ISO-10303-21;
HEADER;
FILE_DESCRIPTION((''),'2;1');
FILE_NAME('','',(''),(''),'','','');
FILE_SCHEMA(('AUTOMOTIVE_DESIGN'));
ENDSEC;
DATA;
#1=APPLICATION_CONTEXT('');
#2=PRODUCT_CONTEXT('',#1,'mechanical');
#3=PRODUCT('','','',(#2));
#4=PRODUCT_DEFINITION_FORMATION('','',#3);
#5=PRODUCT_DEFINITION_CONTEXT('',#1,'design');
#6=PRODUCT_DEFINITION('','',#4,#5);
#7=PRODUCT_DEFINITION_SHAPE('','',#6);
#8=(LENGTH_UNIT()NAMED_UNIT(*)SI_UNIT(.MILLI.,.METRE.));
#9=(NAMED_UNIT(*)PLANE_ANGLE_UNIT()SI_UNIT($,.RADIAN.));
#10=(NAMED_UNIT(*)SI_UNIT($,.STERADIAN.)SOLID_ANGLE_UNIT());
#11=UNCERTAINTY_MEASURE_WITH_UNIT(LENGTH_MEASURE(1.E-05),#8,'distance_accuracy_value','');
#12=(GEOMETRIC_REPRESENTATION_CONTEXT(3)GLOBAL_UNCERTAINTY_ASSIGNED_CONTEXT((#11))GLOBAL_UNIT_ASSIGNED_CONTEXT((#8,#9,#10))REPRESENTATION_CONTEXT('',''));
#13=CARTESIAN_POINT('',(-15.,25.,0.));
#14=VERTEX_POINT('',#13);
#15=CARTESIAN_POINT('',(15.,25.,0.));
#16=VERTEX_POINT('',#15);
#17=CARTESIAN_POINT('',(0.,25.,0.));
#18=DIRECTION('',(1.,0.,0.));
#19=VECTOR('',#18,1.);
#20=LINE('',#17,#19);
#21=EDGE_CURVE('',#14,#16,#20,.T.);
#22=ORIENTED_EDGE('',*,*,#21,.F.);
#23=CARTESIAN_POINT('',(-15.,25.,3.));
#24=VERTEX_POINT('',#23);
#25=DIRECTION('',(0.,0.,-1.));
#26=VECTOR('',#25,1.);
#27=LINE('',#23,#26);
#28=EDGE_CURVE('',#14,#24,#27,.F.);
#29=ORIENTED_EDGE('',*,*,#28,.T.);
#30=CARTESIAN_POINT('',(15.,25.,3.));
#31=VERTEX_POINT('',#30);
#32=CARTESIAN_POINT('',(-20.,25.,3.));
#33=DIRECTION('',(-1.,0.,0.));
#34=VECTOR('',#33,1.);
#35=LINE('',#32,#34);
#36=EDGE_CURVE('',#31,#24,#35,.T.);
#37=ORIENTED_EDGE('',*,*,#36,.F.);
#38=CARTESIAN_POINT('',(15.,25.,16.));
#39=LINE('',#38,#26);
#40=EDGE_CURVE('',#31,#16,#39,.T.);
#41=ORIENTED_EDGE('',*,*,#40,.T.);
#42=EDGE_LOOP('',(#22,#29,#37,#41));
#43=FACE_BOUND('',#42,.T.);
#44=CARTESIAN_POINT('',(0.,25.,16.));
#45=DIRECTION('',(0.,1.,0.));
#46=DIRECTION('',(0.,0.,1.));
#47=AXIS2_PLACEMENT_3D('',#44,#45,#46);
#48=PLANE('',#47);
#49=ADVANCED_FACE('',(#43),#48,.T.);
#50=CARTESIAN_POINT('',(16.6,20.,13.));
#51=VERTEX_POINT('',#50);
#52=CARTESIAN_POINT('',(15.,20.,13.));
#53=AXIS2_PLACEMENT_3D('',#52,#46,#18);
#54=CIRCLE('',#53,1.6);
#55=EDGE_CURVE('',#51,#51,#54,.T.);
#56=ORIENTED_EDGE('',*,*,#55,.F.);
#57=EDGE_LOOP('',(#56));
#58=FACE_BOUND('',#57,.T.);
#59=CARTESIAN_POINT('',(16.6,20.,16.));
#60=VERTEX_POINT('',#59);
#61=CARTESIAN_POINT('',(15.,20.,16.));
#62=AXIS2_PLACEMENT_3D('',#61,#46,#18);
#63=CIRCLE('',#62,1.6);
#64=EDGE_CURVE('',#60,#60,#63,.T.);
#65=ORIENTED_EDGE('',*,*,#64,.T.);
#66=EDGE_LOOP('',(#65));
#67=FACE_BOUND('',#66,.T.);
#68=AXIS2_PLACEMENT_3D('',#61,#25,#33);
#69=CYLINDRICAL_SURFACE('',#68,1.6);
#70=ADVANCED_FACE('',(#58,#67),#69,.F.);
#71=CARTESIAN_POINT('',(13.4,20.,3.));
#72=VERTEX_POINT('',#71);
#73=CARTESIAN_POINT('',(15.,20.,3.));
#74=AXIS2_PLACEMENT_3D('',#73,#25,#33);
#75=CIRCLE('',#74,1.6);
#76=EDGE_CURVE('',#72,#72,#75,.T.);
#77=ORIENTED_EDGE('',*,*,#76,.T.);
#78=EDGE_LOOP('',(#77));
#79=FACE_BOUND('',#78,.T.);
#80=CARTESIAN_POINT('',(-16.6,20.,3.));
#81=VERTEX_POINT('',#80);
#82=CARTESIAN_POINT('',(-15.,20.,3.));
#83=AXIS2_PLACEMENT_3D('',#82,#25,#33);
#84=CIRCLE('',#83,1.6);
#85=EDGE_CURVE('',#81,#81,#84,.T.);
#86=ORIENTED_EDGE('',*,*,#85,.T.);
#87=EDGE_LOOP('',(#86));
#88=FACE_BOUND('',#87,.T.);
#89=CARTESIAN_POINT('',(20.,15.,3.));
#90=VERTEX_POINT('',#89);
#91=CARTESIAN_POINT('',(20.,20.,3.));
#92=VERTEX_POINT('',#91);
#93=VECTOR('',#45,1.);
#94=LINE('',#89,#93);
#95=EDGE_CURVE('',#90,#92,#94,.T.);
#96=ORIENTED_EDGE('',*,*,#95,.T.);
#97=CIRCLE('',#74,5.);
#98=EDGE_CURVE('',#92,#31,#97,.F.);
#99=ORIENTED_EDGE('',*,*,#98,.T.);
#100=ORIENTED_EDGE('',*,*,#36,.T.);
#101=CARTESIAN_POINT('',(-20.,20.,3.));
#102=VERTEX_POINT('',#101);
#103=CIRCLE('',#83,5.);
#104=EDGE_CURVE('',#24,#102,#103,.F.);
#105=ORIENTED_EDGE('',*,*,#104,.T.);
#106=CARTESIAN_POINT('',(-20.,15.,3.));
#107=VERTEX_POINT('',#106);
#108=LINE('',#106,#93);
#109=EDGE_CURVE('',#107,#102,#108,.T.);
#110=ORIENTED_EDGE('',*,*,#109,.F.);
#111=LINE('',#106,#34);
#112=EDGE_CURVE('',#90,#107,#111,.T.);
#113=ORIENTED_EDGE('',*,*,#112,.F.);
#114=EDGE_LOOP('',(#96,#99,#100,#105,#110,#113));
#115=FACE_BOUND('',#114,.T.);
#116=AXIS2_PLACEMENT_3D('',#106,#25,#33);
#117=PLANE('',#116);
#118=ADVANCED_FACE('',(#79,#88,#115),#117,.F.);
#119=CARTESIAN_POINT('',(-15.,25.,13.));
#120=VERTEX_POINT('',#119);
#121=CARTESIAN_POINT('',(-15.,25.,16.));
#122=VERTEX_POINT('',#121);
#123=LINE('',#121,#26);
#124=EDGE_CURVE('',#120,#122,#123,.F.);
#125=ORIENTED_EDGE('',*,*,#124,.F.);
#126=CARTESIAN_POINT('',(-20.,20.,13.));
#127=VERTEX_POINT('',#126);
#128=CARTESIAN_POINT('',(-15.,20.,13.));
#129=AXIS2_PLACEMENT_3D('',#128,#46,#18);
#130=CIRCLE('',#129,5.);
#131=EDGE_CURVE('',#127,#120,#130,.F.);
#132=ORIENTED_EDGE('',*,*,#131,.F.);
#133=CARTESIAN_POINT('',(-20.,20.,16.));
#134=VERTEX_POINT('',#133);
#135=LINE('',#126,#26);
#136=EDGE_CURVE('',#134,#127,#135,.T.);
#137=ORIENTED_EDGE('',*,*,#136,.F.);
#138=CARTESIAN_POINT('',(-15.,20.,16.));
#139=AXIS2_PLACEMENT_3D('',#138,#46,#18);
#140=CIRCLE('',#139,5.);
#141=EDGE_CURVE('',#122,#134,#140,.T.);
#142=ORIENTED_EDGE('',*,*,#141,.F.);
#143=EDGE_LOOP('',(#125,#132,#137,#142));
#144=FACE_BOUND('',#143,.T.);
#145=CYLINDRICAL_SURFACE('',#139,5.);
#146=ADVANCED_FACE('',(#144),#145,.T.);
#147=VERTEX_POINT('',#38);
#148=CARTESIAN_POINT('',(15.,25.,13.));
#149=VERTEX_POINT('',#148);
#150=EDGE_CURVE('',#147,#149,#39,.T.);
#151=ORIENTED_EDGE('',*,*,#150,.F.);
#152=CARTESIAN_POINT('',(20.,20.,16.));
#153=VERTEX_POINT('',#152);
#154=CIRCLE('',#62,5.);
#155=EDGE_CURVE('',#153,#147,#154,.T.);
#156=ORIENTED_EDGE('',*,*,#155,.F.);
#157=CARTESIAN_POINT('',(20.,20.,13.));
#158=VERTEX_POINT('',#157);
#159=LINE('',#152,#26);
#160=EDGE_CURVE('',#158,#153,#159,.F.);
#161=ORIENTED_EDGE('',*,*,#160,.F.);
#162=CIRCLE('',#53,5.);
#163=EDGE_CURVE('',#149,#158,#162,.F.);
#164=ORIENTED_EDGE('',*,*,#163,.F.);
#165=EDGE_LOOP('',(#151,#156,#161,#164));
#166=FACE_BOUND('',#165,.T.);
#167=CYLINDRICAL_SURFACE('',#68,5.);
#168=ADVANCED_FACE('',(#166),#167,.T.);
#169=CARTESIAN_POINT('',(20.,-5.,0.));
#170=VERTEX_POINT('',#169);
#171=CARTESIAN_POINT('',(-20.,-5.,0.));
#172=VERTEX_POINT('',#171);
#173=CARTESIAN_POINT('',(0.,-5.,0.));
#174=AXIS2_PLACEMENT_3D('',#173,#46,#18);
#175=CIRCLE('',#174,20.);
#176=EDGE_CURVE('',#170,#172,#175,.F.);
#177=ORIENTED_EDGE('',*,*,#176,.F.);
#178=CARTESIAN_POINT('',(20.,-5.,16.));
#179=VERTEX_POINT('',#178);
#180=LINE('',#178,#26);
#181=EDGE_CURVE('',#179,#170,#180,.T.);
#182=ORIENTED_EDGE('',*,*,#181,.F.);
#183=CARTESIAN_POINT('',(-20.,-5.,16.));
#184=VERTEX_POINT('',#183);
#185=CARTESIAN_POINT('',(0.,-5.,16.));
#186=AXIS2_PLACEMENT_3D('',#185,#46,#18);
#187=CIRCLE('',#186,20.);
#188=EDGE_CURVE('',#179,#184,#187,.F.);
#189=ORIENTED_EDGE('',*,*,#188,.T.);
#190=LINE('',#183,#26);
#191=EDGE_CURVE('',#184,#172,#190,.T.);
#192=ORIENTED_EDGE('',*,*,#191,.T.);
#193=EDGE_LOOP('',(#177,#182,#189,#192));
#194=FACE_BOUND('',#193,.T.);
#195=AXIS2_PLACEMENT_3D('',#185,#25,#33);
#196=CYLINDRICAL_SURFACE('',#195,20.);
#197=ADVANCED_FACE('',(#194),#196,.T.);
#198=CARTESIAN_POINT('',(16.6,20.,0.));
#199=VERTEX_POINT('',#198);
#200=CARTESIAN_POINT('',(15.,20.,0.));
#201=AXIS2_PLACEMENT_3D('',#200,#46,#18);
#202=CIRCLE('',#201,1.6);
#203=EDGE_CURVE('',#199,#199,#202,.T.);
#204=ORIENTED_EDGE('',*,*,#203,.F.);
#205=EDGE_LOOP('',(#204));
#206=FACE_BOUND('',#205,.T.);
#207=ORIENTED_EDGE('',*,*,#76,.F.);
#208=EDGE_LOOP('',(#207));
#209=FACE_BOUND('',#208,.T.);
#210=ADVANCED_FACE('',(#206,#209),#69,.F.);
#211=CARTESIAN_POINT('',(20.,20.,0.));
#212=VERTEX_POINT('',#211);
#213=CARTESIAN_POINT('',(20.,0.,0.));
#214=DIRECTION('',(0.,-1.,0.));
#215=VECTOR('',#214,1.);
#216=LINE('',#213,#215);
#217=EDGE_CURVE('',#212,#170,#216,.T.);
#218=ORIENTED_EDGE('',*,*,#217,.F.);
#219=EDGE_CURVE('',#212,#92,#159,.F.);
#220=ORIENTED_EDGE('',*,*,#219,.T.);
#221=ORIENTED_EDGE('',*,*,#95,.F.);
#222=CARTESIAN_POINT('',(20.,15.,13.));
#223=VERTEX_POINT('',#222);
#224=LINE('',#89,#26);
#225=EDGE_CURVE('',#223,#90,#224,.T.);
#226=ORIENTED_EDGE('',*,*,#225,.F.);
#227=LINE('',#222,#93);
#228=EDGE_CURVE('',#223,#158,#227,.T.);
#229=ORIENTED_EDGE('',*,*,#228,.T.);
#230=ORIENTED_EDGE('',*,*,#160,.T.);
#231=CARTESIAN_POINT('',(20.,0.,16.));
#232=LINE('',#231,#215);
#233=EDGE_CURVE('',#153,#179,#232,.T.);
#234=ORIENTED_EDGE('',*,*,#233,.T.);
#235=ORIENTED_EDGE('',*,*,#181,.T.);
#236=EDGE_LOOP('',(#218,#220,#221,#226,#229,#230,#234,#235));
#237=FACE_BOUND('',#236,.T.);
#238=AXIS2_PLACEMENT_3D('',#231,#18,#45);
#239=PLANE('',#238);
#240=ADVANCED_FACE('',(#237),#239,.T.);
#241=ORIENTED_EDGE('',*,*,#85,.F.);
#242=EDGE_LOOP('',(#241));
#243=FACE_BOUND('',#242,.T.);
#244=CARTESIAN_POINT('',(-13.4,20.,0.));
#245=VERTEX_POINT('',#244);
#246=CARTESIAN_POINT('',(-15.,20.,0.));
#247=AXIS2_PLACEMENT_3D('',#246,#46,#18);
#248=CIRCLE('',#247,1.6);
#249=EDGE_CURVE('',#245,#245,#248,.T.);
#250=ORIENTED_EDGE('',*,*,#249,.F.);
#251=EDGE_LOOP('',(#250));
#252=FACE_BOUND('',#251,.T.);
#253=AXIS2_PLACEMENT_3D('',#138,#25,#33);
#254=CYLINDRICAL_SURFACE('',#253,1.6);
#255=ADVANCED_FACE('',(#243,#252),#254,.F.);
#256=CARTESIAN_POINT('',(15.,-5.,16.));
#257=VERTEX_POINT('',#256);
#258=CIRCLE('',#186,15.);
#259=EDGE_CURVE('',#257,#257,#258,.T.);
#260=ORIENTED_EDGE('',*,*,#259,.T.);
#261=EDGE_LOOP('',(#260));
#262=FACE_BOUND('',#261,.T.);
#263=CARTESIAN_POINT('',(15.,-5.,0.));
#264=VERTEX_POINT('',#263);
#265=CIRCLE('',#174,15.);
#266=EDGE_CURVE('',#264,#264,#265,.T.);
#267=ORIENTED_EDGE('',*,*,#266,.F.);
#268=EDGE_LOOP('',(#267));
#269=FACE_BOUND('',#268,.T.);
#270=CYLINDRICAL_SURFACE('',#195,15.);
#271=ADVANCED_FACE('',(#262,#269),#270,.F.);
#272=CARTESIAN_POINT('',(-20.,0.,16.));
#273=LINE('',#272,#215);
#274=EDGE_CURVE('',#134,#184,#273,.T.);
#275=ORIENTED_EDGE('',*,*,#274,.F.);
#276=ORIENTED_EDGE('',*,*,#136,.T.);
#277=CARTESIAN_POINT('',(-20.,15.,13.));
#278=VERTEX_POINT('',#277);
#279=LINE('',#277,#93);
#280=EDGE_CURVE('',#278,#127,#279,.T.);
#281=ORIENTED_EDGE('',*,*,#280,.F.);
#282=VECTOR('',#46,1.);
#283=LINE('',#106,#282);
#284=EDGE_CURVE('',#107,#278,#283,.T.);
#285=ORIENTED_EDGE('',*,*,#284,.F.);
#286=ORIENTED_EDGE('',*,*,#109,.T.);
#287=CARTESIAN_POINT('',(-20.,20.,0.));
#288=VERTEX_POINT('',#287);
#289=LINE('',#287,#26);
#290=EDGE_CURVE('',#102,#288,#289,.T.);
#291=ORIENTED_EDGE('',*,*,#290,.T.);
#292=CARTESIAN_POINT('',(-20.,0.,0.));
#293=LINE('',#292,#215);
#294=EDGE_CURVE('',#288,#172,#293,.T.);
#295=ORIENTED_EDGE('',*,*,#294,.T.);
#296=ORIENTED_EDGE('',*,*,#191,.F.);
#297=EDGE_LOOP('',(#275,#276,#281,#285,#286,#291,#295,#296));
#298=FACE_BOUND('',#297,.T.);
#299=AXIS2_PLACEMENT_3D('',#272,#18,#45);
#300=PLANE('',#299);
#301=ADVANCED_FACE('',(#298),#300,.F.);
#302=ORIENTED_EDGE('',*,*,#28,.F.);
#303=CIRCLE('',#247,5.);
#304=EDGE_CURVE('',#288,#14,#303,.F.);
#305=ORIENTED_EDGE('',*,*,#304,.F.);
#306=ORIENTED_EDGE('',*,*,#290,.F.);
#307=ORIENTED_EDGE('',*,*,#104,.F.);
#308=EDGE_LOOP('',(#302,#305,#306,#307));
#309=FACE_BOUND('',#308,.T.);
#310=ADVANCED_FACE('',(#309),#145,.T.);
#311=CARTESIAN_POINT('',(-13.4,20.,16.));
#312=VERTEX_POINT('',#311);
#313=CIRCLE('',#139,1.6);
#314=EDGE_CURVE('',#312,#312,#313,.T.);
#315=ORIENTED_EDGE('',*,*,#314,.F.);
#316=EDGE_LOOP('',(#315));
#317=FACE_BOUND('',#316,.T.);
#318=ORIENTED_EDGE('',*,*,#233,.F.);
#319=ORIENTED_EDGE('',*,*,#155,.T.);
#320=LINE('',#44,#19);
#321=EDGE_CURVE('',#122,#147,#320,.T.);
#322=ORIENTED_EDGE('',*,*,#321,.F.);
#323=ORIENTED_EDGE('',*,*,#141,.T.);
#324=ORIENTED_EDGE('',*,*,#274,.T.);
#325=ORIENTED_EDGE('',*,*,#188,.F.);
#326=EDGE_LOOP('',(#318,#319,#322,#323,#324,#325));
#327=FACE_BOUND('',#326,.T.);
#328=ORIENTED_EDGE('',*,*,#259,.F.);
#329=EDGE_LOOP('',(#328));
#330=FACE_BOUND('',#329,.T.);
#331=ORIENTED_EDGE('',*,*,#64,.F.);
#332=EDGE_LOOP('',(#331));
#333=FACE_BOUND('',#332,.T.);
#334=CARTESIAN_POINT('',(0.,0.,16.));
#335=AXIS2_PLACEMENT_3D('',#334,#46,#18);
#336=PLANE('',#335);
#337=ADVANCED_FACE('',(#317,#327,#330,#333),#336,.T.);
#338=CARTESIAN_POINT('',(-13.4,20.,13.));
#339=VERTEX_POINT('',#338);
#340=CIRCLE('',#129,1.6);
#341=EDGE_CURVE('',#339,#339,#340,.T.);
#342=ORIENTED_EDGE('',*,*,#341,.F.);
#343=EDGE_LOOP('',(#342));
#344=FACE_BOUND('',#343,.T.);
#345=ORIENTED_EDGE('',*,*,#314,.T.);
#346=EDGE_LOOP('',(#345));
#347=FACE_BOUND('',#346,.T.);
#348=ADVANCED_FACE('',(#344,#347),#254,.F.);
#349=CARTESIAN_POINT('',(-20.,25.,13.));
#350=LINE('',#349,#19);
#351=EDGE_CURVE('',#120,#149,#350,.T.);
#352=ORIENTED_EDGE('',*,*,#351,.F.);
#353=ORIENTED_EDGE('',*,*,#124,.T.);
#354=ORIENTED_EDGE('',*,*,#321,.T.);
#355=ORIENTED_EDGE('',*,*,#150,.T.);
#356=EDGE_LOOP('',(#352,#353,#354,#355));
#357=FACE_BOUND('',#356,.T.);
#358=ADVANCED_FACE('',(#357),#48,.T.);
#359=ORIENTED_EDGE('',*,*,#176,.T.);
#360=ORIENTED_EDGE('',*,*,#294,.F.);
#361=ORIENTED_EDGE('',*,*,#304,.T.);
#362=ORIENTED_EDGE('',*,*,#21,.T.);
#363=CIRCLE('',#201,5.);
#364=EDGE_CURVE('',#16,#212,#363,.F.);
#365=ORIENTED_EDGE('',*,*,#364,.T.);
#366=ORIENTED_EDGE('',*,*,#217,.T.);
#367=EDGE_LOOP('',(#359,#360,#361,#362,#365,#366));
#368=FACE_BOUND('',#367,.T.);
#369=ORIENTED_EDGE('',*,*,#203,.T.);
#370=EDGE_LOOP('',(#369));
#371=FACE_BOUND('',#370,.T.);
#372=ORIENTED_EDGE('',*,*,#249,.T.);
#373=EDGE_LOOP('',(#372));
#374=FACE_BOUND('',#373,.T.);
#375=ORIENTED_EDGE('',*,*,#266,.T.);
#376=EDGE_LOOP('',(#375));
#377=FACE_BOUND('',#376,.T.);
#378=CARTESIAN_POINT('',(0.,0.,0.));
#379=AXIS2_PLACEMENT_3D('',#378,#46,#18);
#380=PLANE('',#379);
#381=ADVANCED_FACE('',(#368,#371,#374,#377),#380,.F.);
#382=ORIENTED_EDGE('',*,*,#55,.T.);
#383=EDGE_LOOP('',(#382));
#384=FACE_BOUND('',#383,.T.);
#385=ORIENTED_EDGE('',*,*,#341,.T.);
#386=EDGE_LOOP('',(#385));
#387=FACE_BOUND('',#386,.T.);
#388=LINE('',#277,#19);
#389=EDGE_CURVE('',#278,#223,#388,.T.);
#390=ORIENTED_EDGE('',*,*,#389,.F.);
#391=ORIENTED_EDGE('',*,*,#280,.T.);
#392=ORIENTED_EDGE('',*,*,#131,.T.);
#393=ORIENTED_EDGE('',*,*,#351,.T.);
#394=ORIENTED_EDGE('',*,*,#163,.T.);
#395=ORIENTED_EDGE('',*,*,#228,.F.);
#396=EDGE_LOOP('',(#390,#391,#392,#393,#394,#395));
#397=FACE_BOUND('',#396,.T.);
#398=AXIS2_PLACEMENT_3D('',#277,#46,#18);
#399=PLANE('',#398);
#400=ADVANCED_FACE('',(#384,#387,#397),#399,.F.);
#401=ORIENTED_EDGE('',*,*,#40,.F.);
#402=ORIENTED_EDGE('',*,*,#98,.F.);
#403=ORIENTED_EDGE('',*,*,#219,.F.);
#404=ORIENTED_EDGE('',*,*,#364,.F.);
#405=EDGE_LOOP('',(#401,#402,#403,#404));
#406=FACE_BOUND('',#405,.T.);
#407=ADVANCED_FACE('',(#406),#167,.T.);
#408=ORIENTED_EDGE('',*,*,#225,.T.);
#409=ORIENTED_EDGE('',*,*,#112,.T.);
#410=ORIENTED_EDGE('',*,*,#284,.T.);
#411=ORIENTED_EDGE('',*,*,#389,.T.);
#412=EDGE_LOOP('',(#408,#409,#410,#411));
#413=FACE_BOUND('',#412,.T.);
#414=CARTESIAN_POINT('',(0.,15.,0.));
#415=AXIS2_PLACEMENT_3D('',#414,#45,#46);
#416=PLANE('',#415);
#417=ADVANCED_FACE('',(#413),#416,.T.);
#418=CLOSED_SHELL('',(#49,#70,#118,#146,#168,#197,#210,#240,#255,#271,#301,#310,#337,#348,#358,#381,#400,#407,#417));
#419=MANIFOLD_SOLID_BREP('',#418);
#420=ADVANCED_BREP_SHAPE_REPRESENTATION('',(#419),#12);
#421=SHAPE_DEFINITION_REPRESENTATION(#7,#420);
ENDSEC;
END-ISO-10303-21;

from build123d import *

# Parameters (mm, degrees)
SKETCH_1_R          = 15
SKETCH_1_R_2        = 1.6
EXTRUDE_1_DEPTH     = 16
SKETCH_2_W          = 40
SKETCH_2_H          = 10
CUT_EXTRUDE_1_DEPTH = 10
FILLET_2_R          = 5


with BuildPart() as part:
    # ｽｹｯﾁ1 → ﾎﾞｽ - 押し出し1 (new body)
    with BuildSketch(Plane.XY):
        with BuildLine():
            Line((20, 25), (-20, 25))
            Line((-20, 25), (-20, -5))
            ThreePointArc((-20, -5), (-14.142135624, -19.142135624), (0, -25))
            ThreePointArc((0, -25), (14.142135624, -19.142135624), (20, -5))
            Line((20, -5), (20, 25))
        make_face()
        with Locations((0, -5)):
            Circle(SKETCH_1_R, mode=Mode.SUBTRACT)
        with Locations((-15, 20)):
            Circle(SKETCH_1_R_2, mode=Mode.SUBTRACT)
        with Locations((15, 20)):
            Circle(SKETCH_1_R_2, mode=Mode.SUBTRACT)
    extrude(amount=EXTRUDE_1_DEPTH)

    # ｽｹｯﾁ2 → ｶｯﾄ - 押し出し1 (cut)
    with BuildSketch(Plane(origin=(0, 25, 0), x_dir=(1, 0, 0), z_dir=(0, 1, 0))):
        with Locations((0, -8)):
            Rectangle(SKETCH_2_W, SKETCH_2_H)
    extrude(amount=-CUT_EXTRUDE_1_DEPTH, mode=Mode.SUBTRACT)

    # ﾌｨﾚｯﾄ2
    fillet_2_edges = [part.edges().sort_by_distance(p)[0] for p in [
        (-20, 25, 14.5),
        (20, 25, 14.5),
        (-20, 25, 1.5),
        (20, 25, 1.5),
    ]]
    fillet(fillet_2_edges, radius=FILLET_2_R)


solid = part.part
